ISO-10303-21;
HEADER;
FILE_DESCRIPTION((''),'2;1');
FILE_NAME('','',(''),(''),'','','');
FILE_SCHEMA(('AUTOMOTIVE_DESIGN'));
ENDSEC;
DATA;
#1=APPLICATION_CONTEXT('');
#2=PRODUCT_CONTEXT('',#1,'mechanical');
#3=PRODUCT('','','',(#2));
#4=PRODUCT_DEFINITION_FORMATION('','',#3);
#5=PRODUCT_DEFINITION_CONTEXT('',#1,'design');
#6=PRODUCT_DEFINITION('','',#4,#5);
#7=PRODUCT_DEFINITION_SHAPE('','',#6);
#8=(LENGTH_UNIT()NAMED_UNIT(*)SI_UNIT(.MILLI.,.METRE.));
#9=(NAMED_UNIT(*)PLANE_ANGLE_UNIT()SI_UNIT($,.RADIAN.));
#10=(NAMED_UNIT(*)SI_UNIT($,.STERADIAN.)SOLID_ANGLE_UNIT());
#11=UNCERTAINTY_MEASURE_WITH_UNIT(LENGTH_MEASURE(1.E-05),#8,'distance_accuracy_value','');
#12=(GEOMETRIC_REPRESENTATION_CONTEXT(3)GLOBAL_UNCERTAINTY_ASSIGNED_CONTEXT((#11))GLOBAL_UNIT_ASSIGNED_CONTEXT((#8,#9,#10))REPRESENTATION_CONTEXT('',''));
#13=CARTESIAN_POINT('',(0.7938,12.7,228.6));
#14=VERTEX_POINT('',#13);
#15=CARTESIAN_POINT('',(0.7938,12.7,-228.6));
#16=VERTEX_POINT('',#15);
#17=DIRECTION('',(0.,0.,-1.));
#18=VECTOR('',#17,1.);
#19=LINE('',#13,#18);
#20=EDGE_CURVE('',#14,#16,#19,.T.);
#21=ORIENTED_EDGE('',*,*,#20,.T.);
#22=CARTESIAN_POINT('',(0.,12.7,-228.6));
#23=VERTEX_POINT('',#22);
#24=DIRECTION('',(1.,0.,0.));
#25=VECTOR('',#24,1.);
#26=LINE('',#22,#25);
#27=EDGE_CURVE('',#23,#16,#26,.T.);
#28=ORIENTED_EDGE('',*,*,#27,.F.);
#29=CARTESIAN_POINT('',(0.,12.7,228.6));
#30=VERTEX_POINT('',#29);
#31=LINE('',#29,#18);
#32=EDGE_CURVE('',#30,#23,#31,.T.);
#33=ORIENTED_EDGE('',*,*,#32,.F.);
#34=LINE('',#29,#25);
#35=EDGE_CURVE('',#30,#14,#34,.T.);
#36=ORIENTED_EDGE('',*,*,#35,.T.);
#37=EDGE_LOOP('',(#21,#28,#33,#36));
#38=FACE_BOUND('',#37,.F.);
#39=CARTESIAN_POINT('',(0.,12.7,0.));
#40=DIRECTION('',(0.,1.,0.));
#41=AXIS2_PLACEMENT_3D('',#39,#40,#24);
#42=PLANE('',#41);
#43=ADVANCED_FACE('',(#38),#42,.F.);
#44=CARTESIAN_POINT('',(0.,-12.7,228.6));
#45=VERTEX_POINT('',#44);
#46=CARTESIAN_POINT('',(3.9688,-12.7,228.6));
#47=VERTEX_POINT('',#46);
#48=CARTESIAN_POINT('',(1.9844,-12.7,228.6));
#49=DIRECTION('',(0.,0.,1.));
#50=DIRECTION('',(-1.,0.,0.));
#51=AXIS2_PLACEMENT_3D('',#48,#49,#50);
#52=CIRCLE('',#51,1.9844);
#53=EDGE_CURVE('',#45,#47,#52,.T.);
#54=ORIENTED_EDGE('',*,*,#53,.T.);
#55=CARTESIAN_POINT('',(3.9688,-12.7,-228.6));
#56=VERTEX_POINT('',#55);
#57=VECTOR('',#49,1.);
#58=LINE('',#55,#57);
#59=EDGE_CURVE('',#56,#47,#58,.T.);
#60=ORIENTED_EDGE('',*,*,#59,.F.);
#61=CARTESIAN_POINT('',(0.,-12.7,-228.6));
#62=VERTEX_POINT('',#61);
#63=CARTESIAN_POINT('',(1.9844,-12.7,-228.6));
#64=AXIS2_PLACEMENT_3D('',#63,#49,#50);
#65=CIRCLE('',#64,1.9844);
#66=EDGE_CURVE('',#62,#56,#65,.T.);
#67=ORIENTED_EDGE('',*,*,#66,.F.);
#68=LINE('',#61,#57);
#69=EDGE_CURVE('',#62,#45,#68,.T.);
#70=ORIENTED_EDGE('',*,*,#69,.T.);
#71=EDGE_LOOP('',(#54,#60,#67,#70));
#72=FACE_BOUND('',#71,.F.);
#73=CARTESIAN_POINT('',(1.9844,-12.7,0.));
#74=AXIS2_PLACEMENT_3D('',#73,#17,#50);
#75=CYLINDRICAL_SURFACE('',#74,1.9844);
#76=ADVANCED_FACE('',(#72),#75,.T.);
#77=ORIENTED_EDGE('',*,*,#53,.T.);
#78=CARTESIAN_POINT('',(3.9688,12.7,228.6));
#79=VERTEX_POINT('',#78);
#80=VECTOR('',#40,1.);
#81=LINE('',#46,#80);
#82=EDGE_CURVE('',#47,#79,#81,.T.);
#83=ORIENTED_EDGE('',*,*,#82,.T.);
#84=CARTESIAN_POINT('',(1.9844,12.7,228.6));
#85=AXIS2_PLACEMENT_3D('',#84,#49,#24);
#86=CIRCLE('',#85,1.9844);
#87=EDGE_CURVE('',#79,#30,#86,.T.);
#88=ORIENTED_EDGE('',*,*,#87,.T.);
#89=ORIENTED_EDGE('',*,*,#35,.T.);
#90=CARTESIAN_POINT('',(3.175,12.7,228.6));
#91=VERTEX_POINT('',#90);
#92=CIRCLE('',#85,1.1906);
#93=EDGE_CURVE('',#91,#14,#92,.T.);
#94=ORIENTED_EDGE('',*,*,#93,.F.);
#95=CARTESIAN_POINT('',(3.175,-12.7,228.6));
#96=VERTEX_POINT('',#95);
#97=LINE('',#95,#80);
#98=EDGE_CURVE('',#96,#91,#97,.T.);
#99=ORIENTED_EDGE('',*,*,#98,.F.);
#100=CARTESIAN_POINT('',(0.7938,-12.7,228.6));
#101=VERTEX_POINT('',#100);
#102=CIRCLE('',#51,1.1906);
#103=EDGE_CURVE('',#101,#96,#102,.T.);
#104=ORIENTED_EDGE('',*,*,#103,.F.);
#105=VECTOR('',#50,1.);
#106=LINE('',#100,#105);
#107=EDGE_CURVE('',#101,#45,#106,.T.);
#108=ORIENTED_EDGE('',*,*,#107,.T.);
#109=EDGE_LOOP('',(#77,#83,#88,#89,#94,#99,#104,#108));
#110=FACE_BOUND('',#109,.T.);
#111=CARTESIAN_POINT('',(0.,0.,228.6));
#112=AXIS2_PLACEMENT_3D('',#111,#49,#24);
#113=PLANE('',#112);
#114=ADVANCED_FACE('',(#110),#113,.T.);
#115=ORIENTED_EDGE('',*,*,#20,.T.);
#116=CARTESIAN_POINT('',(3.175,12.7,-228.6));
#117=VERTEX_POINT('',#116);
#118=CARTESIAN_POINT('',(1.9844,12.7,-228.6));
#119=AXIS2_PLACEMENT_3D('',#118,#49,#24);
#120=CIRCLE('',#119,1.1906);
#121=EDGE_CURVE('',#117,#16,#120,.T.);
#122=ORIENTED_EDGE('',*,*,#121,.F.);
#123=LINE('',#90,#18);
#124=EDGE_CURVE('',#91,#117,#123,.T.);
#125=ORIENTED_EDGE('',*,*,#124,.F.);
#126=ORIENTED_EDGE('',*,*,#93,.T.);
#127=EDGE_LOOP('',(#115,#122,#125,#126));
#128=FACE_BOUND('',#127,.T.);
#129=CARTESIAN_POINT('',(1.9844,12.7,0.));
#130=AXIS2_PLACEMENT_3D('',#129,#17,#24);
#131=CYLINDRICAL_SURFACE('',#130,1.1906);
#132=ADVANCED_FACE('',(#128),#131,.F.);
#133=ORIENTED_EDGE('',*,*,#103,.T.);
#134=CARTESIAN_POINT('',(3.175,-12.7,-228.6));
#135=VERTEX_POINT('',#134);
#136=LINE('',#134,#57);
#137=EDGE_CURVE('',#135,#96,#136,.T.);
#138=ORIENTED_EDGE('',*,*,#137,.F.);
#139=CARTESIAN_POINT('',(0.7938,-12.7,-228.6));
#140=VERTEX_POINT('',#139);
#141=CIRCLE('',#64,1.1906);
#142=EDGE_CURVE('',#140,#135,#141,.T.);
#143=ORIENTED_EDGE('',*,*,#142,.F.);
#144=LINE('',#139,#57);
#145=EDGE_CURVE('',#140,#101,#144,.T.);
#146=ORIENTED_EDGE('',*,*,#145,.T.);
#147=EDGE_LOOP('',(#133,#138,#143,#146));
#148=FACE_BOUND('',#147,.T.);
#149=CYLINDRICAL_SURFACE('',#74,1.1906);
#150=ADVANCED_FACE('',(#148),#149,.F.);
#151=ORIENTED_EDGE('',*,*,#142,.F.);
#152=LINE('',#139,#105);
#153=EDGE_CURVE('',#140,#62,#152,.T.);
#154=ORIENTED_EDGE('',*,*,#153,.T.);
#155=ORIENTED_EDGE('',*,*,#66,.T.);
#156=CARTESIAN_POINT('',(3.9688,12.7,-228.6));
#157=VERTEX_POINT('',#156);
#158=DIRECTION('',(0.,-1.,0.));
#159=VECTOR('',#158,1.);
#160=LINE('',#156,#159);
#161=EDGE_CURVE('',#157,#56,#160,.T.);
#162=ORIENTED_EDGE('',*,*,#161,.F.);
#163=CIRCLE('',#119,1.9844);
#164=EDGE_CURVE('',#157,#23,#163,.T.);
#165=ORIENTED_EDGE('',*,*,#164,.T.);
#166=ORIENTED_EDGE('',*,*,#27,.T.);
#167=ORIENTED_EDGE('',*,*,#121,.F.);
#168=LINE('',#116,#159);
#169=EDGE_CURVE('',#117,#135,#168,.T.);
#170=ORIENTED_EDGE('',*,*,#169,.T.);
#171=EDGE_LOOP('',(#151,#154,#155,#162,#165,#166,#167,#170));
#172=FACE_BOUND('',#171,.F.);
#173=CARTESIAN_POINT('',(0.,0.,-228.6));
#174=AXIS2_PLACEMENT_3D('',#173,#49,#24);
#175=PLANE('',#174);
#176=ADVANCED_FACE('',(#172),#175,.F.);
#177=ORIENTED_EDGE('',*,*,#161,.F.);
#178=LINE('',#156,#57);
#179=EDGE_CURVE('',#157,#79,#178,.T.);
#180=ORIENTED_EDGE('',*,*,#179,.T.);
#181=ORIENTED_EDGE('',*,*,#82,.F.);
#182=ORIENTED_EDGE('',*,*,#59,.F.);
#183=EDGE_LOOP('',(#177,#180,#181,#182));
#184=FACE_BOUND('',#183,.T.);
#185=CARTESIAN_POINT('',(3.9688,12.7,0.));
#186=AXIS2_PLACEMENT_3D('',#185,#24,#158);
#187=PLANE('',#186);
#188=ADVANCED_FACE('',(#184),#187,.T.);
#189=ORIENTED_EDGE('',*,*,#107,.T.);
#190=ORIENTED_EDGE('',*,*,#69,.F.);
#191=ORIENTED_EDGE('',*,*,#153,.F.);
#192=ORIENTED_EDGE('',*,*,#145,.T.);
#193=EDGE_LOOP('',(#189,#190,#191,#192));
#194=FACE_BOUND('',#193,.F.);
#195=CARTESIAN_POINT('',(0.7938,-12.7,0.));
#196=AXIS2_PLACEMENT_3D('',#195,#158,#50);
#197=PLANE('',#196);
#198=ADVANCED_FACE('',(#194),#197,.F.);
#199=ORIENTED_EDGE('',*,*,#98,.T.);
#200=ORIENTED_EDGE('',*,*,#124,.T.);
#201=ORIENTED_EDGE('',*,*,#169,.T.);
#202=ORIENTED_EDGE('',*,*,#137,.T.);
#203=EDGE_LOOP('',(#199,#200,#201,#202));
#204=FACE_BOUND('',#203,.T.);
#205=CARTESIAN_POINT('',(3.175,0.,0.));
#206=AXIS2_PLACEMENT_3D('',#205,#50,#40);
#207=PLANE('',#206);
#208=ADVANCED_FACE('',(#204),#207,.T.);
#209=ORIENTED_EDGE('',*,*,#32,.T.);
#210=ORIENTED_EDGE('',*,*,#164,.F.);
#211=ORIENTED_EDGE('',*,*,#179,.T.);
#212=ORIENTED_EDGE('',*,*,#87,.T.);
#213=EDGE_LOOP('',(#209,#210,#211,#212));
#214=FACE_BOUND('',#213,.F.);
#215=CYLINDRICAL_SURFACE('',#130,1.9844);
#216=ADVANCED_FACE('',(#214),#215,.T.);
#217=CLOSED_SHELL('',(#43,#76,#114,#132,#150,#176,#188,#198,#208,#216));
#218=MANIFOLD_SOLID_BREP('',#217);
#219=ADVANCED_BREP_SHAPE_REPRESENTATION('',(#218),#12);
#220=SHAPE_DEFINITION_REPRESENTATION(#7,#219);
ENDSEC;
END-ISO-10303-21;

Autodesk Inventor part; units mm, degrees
ref_plane "YZ Plane" through (0, 0, 0) normal (1, 0, 0) x (0, 1, 0)
ref_plane "XZ Plane" through (0, 0, 0) normal (0, 1, 0) x (-1, 0, 0)
ref_plane "XY Plane" through (0, 0, 0) normal (0, 0, 1) x (1, 0, 0)
sketch "Sketch1" plane through (0, 0, 0) normal (0, 0, 1) x (1, 0, 0)
  line L0 (-0.7938, 0) -> (4.7625, 0) projected
  line L1 (0, -20.5581) -> (0, 20.5581) projected
  line L2 (3.9688, 12.7) -> (3.9688, -12.7)
  arc A0 (3.9688, 12.7) -> (0, 12.7) centre (1.9844, 12.7) ccw
  arc A1 (0, -12.7) -> (3.9688, -12.7) centre (1.9844, -12.7) ccw
  arc A2 (0.7938, -12.7) -> (3.175, -12.7) centre (1.9844, -12.7) ccw
  line L3 (3.175, -12.7) -> (3.175, 12.7)
  arc A3 (3.175, 12.7) -> (0.7938, 12.7) centre (1.9844, 12.7) ccw
  line L4 (0, 12.7) -> (0.7938, 12.7)
  line L5 (0.7938, -12.7) -> (0, -12.7)
  line L6 (0, -12.7) -> (0, 12.7) construction
  point P0 (0, 0)
  point P1 (3.9688, 0)
  dimension "d0" = 0.7937
  dimension "d1" = 3.9688
  dimension "d2" = 25.4
extrude "Extrusion1" add sketch "Sketch1" along normal mid plane 457.2 contours L3 A3 L4 A0 L2 L0 | L0 L2 A1 L5 A2 L3
properties part number "slide outer" material "Steel"
